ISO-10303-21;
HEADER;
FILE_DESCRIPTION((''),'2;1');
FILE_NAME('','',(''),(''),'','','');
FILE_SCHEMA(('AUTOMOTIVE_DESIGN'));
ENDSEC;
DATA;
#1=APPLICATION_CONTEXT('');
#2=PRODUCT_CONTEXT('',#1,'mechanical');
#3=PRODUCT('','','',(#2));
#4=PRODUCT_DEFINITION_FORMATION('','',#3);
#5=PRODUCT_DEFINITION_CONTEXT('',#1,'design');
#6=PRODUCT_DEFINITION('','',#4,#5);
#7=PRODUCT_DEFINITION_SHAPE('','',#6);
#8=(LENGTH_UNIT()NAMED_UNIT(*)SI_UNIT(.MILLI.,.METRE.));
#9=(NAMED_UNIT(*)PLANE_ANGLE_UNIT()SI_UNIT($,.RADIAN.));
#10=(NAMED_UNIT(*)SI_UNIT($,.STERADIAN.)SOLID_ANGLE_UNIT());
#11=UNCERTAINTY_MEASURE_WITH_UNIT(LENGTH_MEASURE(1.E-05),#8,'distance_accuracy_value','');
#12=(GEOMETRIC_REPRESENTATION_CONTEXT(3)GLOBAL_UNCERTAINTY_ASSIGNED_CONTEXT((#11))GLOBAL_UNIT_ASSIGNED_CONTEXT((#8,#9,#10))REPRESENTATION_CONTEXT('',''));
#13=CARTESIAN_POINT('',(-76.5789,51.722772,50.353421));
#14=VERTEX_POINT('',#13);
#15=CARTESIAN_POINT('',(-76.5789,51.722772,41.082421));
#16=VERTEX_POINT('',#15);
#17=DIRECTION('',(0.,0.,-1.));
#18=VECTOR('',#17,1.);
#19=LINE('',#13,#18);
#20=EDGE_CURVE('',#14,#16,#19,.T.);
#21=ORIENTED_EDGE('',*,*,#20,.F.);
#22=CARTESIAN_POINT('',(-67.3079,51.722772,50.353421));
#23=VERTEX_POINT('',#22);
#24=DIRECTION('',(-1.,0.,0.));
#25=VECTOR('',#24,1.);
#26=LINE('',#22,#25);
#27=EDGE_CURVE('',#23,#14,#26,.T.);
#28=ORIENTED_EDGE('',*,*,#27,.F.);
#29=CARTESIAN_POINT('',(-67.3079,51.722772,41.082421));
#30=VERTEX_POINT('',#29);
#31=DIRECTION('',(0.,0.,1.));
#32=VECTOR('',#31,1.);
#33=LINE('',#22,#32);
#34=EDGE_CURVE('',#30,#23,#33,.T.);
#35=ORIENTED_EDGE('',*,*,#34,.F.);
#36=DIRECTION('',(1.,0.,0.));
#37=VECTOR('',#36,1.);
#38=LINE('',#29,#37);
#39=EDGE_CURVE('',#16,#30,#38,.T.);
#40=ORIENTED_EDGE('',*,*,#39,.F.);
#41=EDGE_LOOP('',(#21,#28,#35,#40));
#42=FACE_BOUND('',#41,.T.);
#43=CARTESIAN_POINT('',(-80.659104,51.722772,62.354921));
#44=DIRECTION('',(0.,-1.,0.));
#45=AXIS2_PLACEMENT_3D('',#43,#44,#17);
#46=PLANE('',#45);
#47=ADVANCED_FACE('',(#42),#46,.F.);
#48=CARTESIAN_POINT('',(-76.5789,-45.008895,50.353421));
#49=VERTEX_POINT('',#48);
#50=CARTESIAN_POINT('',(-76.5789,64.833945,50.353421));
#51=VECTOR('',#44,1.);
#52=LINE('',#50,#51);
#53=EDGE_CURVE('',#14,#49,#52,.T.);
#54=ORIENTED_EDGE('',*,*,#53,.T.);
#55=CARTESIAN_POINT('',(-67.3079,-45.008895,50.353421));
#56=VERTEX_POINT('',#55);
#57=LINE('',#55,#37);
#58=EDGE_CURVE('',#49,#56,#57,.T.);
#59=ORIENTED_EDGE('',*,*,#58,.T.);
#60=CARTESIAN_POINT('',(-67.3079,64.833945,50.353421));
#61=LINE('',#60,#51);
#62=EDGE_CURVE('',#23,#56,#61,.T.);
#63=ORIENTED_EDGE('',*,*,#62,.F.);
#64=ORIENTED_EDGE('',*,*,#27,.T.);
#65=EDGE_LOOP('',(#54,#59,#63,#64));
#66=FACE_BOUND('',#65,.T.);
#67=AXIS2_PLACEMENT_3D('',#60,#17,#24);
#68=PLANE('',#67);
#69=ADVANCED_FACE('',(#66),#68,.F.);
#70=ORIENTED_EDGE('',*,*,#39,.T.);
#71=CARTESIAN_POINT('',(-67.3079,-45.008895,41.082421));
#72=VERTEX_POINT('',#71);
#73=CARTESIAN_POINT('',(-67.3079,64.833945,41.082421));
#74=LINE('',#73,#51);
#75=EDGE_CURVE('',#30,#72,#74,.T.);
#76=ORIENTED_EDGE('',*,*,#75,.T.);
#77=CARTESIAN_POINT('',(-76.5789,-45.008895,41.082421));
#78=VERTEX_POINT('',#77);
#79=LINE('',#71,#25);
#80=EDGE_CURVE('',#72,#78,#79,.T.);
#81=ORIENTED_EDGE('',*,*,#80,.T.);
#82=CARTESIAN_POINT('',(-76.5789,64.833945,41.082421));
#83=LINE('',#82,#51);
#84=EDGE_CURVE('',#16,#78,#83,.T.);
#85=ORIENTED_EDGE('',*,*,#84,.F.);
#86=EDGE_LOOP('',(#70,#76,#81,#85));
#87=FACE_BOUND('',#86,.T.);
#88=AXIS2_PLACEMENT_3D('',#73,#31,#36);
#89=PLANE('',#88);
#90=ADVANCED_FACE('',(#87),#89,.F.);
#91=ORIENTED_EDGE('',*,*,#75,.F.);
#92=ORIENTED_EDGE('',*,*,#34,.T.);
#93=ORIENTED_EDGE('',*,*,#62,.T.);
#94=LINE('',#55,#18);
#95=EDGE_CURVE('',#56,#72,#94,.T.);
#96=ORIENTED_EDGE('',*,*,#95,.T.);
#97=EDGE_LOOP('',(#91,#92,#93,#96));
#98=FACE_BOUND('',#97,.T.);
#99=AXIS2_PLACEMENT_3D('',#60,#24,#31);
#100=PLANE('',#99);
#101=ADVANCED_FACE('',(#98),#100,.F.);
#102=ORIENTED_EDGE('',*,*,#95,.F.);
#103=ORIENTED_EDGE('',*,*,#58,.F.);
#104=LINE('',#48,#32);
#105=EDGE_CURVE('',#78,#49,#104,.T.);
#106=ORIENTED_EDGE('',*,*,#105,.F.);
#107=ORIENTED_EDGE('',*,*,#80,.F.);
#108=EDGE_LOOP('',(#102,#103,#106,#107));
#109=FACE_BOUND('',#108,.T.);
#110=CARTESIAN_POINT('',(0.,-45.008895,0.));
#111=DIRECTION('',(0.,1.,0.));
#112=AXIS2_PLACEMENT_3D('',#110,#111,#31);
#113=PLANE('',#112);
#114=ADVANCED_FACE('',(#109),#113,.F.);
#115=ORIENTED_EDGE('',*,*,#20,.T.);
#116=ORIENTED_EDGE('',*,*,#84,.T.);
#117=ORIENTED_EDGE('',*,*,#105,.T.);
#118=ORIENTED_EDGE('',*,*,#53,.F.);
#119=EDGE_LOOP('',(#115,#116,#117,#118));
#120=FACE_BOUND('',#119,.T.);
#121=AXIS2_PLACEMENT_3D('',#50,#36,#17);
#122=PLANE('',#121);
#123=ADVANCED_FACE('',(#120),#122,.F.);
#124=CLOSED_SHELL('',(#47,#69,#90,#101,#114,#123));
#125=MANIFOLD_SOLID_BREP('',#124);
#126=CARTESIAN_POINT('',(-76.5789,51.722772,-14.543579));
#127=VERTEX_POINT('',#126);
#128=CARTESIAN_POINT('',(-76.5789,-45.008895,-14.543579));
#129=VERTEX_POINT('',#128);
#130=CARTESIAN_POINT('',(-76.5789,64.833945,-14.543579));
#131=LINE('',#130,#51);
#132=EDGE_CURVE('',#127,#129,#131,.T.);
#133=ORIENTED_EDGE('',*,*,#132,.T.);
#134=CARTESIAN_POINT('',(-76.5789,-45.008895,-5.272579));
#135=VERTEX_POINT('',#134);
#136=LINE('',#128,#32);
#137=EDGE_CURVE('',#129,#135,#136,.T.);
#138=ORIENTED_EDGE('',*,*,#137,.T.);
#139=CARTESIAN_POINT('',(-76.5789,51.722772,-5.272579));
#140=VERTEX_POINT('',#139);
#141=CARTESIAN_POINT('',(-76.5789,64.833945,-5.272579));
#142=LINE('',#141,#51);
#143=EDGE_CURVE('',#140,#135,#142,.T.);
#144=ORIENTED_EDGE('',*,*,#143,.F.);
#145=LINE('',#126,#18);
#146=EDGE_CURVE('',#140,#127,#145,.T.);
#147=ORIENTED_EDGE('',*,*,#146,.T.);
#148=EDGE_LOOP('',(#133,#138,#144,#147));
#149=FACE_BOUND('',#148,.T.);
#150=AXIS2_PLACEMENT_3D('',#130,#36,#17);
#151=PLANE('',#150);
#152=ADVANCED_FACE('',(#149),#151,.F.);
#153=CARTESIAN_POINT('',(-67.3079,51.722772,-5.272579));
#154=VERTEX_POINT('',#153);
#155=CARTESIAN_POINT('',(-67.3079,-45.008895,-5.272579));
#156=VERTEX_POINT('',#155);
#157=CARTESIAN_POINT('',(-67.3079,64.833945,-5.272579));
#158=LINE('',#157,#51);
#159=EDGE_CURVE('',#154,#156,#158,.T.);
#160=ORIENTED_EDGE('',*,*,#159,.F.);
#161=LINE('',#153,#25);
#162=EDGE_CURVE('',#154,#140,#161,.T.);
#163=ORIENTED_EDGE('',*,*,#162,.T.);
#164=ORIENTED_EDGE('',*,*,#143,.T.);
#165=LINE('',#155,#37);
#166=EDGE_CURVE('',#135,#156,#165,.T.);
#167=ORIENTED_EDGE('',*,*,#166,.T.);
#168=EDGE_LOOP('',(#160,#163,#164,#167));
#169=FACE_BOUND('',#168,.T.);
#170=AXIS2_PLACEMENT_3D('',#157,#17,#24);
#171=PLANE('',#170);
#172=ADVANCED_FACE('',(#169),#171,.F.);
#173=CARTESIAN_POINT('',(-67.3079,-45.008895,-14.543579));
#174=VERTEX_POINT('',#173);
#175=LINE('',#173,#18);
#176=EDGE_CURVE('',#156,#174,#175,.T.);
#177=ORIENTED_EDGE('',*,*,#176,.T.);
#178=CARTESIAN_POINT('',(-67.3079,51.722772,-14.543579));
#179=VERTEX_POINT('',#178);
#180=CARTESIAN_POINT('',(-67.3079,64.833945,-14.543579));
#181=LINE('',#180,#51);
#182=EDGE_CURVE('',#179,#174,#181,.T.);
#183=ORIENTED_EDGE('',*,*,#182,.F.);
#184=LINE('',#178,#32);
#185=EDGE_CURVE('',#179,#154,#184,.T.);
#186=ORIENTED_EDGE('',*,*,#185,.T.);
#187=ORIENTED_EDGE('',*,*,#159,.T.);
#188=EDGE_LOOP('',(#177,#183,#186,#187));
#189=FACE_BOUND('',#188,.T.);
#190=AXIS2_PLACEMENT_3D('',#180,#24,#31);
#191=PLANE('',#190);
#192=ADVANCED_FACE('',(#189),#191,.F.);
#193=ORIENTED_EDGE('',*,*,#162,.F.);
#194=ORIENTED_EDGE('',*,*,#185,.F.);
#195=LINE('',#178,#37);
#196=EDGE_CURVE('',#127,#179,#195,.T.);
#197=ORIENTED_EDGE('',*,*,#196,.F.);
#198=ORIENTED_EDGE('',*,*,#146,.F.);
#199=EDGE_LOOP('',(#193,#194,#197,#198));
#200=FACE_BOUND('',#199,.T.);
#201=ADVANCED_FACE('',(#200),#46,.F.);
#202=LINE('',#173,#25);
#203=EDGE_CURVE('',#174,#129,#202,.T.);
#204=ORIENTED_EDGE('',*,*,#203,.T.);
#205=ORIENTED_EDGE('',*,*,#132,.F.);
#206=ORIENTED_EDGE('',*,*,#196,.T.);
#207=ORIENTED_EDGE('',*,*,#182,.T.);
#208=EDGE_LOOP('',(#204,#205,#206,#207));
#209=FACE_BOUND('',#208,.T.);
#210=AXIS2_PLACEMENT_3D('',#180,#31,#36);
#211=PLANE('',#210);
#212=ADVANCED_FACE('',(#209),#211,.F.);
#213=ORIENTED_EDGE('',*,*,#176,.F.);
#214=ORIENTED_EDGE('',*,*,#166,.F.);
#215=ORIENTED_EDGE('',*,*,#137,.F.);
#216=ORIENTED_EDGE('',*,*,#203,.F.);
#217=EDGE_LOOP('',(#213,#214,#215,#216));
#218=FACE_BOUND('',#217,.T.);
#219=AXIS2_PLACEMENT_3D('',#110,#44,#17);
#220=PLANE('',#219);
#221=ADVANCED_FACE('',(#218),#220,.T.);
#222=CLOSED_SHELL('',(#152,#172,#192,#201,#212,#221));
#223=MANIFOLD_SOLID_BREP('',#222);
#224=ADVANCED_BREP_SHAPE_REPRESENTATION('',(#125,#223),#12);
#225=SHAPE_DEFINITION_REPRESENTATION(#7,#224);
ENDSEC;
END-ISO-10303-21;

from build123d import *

# Parameters (mm, degrees)
SKETCH1_W             = 9.271
SKETCH1_H             = 9.271
BOSS_EXTRUDE1_DEPTH   = 96.731666667
BOSS_EXTRUDE1_2_DEPTH = 96.731666667


with BuildPart() as part:
    # Sketch1 → Boss-Extrude1 (new body)
    with BuildSketch(Plane(origin=(0, -45.00889512, 0), x_dir=(1, 0, 0), z_dir=(0, 1, 0))):
        with Locations((-71.94339959, -45.717920544)):
            Rectangle(SKETCH1_W, SKETCH1_H)
    extrude(amount=BOSS_EXTRUDE1_DEPTH)


with BuildPart() as body_2:
    # Sketch1 → Boss-Extrude1 2 (new body)
    with BuildSketch(Plane(origin=(0, -45.00889512, 0), x_dir=(1, 0, 0), z_dir=(0, 1, 0))):
        with Locations((-71.94339959, 9.908079456)):
            Rectangle(SKETCH1_W, SKETCH1_H)
    extrude(amount=BOSS_EXTRUDE1_2_DEPTH)


solid = Compound([part.part, body_2.part])
